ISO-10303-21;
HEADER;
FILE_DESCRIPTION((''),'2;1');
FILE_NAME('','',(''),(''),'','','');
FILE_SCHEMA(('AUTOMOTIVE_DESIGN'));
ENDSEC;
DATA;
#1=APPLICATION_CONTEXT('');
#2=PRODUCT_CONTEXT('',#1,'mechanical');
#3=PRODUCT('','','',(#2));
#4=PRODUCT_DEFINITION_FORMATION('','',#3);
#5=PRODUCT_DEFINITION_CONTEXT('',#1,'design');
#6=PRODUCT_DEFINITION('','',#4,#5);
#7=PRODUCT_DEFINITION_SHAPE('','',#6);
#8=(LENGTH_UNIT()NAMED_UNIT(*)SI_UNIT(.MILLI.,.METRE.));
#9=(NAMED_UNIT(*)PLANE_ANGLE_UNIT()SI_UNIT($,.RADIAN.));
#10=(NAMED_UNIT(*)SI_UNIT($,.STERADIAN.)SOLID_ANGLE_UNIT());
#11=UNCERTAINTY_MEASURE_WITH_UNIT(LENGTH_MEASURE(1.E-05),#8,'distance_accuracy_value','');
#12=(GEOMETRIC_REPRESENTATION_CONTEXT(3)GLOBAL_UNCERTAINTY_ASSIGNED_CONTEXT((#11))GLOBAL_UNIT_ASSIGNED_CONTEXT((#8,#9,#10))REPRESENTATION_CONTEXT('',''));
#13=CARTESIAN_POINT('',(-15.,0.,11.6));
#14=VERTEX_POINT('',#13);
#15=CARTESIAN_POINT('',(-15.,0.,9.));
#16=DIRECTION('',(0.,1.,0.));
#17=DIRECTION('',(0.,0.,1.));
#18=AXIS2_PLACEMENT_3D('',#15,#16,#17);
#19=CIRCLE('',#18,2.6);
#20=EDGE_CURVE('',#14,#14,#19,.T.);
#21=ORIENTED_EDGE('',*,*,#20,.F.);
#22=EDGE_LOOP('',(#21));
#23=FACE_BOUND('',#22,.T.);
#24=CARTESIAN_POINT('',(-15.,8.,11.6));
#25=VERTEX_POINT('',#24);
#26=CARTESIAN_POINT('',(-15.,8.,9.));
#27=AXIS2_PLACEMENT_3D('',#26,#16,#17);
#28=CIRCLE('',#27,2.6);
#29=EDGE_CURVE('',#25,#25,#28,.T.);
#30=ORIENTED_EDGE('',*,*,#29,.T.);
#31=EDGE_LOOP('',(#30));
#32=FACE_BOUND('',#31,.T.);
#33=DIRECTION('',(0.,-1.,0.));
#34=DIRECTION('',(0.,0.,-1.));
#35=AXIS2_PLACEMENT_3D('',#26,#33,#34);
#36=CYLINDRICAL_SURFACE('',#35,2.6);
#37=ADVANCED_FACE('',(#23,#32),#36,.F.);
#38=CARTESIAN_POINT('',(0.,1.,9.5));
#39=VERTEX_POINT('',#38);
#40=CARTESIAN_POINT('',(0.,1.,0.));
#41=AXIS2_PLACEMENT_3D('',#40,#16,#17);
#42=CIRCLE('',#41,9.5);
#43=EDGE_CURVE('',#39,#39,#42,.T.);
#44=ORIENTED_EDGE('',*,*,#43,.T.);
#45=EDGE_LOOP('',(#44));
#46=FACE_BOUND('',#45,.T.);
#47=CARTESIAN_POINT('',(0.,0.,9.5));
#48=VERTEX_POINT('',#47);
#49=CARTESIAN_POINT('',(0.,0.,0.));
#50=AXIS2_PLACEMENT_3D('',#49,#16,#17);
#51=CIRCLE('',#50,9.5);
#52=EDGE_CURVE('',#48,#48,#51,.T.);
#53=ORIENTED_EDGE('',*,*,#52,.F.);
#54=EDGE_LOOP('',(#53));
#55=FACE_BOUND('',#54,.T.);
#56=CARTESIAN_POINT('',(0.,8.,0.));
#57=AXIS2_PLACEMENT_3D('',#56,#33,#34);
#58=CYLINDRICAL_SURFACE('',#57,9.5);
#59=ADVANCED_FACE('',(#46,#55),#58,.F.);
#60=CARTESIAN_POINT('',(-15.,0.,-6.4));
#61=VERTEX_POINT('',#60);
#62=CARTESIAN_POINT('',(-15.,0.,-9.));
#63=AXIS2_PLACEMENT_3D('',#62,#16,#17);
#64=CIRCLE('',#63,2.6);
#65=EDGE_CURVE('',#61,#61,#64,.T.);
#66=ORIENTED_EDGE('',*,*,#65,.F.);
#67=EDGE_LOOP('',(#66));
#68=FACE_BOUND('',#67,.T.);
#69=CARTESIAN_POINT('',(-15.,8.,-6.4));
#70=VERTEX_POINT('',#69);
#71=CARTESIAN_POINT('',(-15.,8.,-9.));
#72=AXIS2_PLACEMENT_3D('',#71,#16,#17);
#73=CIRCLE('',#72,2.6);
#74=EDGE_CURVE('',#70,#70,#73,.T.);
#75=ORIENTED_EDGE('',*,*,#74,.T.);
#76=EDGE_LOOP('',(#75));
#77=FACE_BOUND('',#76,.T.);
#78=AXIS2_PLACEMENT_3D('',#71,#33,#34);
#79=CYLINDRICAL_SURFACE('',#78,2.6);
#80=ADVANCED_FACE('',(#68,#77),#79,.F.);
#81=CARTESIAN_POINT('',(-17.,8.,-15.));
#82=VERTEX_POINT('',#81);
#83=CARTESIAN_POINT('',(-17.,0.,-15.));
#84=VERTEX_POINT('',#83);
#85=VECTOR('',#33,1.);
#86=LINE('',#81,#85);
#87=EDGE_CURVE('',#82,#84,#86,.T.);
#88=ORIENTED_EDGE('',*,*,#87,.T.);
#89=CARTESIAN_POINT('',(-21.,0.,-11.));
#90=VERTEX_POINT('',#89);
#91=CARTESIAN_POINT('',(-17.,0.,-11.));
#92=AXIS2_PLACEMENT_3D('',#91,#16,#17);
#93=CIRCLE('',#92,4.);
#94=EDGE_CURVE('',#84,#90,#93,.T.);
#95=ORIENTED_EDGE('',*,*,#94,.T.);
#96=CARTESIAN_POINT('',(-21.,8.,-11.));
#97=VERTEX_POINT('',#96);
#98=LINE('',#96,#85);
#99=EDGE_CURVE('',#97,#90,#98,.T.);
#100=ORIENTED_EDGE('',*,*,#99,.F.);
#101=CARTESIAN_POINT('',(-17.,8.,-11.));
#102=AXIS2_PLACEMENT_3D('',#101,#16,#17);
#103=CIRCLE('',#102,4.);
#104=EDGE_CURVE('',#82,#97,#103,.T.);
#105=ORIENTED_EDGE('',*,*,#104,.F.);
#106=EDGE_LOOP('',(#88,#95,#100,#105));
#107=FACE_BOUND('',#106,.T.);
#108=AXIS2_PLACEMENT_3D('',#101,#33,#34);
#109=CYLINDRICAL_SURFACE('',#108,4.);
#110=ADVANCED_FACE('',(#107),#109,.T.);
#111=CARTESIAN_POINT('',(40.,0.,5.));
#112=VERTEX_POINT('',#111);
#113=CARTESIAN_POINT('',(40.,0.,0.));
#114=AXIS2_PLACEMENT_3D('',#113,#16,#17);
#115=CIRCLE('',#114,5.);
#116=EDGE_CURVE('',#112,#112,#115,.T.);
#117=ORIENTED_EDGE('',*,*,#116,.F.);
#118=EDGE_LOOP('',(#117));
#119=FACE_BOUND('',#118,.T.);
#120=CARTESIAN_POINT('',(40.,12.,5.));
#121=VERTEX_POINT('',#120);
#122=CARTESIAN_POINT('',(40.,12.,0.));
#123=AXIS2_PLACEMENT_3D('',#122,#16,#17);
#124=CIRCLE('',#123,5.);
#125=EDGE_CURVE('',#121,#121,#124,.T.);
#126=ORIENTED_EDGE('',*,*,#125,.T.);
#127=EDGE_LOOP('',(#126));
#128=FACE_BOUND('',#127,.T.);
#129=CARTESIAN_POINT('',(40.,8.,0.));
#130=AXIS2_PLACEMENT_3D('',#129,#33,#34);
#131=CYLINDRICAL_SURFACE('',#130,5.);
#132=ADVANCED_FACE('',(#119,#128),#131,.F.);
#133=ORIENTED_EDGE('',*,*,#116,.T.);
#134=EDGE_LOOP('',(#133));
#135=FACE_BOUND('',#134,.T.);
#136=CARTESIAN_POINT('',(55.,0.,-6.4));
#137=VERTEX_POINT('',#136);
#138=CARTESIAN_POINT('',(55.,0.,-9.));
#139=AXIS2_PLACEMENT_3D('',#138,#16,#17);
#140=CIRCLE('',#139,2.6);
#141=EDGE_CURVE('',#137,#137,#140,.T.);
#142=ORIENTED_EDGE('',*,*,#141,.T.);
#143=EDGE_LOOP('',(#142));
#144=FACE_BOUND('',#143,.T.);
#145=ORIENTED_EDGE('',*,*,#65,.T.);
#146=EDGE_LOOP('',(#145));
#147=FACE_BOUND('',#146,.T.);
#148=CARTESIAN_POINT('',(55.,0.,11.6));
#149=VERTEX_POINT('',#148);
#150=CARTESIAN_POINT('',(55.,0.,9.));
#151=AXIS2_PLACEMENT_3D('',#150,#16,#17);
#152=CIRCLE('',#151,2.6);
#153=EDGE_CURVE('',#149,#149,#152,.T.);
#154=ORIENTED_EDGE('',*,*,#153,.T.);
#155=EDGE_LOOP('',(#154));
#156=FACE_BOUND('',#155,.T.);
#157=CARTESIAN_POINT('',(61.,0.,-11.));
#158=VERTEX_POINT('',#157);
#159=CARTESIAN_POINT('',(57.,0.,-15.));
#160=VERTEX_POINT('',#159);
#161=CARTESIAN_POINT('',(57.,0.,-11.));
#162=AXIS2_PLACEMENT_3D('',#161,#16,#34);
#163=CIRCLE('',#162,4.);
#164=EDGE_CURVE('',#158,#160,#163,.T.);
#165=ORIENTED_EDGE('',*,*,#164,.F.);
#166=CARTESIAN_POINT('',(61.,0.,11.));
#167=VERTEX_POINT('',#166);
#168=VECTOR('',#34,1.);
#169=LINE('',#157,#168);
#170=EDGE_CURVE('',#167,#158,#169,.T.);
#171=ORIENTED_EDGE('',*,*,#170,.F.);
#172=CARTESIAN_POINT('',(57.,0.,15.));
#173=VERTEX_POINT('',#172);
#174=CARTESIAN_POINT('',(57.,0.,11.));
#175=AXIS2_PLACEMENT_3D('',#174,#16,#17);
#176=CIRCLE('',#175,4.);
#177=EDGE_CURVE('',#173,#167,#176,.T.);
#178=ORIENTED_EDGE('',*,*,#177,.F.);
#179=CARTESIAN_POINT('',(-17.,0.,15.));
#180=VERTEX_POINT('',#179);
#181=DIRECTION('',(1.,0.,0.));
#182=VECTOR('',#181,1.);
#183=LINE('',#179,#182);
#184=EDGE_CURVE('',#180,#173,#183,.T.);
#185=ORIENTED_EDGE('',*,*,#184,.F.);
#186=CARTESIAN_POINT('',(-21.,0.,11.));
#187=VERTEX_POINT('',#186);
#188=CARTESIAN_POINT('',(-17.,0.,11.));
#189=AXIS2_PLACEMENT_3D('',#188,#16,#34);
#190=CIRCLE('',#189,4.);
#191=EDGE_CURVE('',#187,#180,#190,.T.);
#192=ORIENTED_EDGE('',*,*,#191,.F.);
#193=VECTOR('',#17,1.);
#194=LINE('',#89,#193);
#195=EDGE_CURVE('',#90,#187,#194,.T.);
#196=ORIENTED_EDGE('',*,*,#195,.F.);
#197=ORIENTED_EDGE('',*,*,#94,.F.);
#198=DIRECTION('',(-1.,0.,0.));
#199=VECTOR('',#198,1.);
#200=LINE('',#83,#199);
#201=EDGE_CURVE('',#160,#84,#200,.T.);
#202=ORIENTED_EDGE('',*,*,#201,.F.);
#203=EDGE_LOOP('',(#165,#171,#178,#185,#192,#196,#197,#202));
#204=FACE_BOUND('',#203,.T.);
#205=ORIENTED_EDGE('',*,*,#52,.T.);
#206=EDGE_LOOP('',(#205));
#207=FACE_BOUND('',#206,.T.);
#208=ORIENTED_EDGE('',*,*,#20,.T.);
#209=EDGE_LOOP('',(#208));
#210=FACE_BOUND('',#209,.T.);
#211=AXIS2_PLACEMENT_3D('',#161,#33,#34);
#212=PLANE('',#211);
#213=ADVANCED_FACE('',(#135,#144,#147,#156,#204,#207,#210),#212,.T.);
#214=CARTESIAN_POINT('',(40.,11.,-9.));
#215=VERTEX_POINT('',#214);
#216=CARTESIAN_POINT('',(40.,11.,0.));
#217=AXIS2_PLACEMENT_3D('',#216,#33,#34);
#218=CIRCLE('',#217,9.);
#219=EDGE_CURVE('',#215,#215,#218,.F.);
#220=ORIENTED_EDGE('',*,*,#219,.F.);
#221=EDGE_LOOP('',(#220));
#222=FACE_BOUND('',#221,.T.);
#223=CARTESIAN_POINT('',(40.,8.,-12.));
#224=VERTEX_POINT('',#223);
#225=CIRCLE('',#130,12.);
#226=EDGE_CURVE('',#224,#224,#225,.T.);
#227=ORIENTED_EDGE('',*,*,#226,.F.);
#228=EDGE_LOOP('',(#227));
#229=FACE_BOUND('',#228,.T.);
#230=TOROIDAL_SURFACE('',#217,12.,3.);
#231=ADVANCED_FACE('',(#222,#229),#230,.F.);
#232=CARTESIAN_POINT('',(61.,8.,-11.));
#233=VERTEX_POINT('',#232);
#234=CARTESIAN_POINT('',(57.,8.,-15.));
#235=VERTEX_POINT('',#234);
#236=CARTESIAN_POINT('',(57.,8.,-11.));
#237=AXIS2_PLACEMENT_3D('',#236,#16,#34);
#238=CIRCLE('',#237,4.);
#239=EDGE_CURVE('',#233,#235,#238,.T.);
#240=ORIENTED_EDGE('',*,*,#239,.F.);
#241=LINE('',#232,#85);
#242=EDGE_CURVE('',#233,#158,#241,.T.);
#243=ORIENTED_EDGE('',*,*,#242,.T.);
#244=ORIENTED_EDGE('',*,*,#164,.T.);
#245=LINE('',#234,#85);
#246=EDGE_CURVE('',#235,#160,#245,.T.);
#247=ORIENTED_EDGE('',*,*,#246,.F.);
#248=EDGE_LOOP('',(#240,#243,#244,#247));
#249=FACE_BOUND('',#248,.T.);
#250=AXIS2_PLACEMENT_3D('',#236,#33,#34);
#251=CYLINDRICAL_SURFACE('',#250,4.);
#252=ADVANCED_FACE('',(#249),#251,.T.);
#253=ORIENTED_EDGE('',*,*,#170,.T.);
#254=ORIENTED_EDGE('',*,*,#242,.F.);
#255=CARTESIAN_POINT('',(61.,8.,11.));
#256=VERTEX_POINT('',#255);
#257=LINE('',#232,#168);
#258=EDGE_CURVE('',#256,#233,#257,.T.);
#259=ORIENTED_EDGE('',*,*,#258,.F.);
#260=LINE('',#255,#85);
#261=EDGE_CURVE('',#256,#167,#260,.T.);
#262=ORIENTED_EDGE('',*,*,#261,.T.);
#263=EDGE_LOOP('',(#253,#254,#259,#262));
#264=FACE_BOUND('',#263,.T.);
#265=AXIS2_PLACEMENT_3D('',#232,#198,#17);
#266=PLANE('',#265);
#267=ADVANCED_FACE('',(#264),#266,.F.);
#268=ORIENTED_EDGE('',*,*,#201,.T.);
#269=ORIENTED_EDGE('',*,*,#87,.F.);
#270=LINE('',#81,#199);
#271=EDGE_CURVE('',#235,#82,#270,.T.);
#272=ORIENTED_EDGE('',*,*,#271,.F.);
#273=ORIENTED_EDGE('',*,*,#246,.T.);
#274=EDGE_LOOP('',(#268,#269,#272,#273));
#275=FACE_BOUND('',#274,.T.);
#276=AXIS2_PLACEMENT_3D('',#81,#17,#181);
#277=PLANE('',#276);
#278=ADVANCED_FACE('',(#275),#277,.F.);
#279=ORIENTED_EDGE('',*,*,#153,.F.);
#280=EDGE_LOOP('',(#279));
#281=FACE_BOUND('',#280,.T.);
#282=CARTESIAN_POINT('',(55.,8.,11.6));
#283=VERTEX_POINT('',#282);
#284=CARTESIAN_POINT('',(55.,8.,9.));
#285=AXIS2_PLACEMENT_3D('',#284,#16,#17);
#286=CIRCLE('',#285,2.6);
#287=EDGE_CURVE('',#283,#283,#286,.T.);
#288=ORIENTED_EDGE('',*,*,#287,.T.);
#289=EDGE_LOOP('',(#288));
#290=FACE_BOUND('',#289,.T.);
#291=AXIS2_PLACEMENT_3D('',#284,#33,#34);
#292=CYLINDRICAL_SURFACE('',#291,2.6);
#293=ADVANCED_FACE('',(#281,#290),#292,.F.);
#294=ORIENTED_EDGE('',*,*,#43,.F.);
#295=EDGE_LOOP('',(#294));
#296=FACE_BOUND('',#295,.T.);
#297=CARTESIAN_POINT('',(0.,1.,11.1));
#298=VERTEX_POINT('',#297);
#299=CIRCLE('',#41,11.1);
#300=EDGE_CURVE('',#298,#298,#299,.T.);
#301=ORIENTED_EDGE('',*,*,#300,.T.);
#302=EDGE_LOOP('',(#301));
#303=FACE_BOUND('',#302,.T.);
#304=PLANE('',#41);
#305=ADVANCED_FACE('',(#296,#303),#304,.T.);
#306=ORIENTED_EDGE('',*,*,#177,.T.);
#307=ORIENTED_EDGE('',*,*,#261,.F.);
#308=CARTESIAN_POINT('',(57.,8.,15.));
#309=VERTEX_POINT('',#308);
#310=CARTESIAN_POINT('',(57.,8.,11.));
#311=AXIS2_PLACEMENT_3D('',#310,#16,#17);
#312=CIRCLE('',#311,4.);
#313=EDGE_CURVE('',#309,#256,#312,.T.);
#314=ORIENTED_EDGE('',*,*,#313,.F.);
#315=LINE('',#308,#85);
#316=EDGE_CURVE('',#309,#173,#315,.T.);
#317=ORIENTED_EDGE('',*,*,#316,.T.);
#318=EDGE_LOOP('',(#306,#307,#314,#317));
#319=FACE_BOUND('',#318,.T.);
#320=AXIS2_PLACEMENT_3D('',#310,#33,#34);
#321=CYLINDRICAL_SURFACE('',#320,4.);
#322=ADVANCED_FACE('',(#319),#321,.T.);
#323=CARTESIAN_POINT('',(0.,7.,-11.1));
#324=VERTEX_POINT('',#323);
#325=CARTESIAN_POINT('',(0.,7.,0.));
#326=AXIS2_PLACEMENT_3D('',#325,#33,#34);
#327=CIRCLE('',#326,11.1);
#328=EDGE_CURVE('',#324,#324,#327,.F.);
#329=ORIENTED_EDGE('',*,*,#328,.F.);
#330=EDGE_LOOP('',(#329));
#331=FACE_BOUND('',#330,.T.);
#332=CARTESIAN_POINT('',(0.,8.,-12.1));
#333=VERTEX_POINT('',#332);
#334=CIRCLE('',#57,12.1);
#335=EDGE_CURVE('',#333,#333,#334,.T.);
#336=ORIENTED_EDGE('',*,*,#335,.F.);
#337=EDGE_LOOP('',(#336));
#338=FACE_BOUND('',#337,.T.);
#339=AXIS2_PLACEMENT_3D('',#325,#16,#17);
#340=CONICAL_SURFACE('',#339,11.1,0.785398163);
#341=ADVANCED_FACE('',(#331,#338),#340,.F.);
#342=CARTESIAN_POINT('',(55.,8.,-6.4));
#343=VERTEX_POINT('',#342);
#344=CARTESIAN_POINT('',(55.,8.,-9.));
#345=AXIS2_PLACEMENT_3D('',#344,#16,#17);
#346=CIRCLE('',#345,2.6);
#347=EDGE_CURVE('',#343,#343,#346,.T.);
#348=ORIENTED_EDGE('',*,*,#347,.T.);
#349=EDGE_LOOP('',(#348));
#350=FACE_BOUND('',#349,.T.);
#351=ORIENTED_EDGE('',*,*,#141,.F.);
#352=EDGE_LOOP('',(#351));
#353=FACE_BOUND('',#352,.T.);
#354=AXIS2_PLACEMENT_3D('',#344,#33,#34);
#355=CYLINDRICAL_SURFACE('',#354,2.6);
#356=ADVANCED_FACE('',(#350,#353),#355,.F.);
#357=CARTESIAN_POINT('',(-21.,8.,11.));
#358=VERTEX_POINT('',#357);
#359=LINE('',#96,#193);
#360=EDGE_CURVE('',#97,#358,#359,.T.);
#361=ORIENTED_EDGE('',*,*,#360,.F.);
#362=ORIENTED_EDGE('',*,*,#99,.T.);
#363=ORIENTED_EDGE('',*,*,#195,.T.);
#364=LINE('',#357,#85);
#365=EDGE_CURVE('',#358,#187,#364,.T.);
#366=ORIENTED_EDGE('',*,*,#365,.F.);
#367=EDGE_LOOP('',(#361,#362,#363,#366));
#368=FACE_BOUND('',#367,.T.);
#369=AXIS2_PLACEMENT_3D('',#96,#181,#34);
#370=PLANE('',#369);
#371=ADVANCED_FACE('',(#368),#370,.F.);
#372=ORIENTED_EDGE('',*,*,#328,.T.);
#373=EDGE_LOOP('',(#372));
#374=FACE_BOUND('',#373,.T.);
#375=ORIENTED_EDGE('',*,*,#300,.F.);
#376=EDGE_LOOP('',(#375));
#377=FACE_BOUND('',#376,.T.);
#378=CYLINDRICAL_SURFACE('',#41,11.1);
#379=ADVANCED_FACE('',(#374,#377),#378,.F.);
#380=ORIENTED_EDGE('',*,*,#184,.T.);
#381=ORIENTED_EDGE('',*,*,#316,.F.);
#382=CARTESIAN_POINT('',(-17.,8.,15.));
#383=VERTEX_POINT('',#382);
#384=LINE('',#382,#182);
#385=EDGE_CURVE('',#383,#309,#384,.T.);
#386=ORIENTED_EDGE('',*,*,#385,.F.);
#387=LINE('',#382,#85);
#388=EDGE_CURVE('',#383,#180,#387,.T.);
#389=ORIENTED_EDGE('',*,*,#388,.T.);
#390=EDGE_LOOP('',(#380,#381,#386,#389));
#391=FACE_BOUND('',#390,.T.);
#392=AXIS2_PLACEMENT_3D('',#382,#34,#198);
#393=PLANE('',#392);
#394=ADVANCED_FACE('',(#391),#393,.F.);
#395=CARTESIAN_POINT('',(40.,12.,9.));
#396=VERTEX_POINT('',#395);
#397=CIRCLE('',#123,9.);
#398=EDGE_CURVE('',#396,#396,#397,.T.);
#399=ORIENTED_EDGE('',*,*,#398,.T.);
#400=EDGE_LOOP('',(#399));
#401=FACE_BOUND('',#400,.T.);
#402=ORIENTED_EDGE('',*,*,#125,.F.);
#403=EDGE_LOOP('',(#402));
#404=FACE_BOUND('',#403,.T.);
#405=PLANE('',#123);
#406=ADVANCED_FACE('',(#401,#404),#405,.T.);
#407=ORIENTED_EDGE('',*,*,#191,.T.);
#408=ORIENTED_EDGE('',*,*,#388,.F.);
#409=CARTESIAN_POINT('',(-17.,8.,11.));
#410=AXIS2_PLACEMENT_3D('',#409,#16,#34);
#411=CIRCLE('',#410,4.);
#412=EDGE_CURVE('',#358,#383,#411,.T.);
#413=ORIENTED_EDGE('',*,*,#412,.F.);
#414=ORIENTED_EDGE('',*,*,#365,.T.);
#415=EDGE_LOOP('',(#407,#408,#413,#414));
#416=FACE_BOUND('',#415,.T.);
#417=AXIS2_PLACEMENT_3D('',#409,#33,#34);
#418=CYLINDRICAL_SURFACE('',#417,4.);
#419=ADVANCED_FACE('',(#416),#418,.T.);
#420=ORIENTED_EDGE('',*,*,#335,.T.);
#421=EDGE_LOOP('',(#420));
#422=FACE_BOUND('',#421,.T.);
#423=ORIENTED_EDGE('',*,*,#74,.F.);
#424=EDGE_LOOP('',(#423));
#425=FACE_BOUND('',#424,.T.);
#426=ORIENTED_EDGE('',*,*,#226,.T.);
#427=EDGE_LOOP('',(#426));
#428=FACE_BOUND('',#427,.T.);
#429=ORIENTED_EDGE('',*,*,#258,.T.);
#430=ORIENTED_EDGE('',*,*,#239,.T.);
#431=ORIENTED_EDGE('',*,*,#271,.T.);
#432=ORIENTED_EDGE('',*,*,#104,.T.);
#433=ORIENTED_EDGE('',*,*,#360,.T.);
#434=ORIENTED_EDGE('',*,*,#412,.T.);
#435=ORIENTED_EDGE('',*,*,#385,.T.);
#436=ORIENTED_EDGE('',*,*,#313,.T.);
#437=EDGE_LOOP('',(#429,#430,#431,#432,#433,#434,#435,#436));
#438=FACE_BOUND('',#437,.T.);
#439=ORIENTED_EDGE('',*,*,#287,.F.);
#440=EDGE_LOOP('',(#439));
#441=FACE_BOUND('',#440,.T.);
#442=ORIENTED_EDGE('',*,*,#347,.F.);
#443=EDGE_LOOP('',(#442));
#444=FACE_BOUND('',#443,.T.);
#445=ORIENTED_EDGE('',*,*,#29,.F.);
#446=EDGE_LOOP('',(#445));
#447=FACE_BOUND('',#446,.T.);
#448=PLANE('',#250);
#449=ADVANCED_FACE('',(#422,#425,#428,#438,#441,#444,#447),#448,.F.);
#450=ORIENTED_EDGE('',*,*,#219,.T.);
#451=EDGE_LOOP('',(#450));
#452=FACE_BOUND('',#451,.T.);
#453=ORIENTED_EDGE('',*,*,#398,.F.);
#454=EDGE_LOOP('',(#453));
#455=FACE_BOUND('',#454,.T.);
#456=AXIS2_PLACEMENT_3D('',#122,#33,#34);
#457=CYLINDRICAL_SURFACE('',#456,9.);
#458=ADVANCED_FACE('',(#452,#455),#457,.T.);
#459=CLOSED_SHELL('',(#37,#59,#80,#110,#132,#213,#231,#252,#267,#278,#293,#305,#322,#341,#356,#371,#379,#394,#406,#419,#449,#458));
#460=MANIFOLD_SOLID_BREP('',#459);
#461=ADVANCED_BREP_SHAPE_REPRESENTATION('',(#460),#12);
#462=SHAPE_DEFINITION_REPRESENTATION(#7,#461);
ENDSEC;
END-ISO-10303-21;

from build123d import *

# Parameters (mm, degrees)
SKETCH1_R           = 9.5
SKETCH1_R_2         = 5
SKETCH1_R_3         = 2.6
BOSS_EXTRUDE1_DEPTH = 8
SKETCH2_R           = 11.1
CUT_EXTRUDE1_DEPTH  = 7
SKETCH3_R           = 9
SKETCH3_R_2         = 5
BOSS_EXTRUDE2_DEPTH = 4
FILLET1_R           = 3
CHAMFER1_SIZE       = 1


with BuildPart() as part:
    # Sketch1 → Boss-Extrude1 (new body)
    with BuildSketch(Plane(origin=(0, 0, 0), x_dir=(1, 0, 0), z_dir=(0, 1, 0))):
        with BuildLine():
            Line((-17, 15), (57, 15))
            ThreePointArc((57, 15), (59.828427125, 13.828427125), (61, 11))
            Line((61, 11), (61, -11))
            ThreePointArc((61, -11), (59.828427125, -13.828427125), (57, -15))
            Line((57, -15), (-17, -15))
            ThreePointArc((-17, -15), (-19.828427125, -13.828427125), (-21, -11))
            Line((-21, -11), (-21, 11))
            ThreePointArc((-21, 11), (-19.828427125, 13.828427125), (-17, 15))
        make_face()
        with Locations(Location((0, 0, 0), (0, 0, 270))):  # turned: the seam where the file's is
            Circle(SKETCH1_R, mode=Mode.SUBTRACT)
        with Locations(Location((40, 0, 0), (0, 0, 270))):  # turned: the seam where the file's is
            Circle(SKETCH1_R_2, mode=Mode.SUBTRACT)
        with Locations(Location((-15, 9, 0), (0, 0, 270))):  # turned: the seam where the file's is
            Circle(SKETCH1_R_3, mode=Mode.SUBTRACT)
        with Locations(Location((-15, -9, 0), (0, 0, 270))):  # turned: the seam where the file's is
            Circle(SKETCH1_R_3, mode=Mode.SUBTRACT)
        with Locations(Location((55, 9, 0), (0, 0, 270))):  # turned: the seam where the file's is
            Circle(SKETCH1_R_3, mode=Mode.SUBTRACT)
        with Locations(Location((55, -9, 0), (0, 0, 270))):  # turned: the seam where the file's is
            Circle(SKETCH1_R_3, mode=Mode.SUBTRACT)
    extrude(amount=BOSS_EXTRUDE1_DEPTH)

    # Sketch2 → Cut-Extrude1 (cut)
    with BuildSketch(Plane(origin=(0, 8, 0), x_dir=(1, 0, 0), z_dir=(0, 1, 0))):
        with Locations(Location((0, 0, 0), (0, 0, 270))):  # turned: the seam where the file's is
            Circle(SKETCH2_R)
    extrude(amount=-CUT_EXTRUDE1_DEPTH, mode=Mode.SUBTRACT)

    # Sketch3 → Boss-Extrude2 (add)
    with BuildSketch(Plane(origin=(0, 8, 0), x_dir=(1, 0, 0), z_dir=(0, 1, 0))):
        with Locations(Location((40, 0, 0), (0, 0, 90))):  # turned: the seam where the file's is
            Circle(SKETCH3_R)
        with Locations(Location((40, 0, 0), (0, 0, 270))):  # turned: the seam where the file's is
            Circle(SKETCH3_R_2, mode=Mode.SUBTRACT)
    extrude(amount=BOSS_EXTRUDE2_DEPTH)

    # Fillet1
    fillet1_edges = [part.edges().sort_by_distance(p)[0] for p in [
        (40, 8, 9),
    ]]
    fillet(fillet1_edges, radius=FILLET1_R)

    # Chamfer1
    chamfer1_edges = [part.edges().sort_by_distance(p)[0] for p in [
        (0, 8, -11.1),
    ]]
    chamfer(chamfer1_edges, length=CHAMFER1_SIZE)


solid = part.part
